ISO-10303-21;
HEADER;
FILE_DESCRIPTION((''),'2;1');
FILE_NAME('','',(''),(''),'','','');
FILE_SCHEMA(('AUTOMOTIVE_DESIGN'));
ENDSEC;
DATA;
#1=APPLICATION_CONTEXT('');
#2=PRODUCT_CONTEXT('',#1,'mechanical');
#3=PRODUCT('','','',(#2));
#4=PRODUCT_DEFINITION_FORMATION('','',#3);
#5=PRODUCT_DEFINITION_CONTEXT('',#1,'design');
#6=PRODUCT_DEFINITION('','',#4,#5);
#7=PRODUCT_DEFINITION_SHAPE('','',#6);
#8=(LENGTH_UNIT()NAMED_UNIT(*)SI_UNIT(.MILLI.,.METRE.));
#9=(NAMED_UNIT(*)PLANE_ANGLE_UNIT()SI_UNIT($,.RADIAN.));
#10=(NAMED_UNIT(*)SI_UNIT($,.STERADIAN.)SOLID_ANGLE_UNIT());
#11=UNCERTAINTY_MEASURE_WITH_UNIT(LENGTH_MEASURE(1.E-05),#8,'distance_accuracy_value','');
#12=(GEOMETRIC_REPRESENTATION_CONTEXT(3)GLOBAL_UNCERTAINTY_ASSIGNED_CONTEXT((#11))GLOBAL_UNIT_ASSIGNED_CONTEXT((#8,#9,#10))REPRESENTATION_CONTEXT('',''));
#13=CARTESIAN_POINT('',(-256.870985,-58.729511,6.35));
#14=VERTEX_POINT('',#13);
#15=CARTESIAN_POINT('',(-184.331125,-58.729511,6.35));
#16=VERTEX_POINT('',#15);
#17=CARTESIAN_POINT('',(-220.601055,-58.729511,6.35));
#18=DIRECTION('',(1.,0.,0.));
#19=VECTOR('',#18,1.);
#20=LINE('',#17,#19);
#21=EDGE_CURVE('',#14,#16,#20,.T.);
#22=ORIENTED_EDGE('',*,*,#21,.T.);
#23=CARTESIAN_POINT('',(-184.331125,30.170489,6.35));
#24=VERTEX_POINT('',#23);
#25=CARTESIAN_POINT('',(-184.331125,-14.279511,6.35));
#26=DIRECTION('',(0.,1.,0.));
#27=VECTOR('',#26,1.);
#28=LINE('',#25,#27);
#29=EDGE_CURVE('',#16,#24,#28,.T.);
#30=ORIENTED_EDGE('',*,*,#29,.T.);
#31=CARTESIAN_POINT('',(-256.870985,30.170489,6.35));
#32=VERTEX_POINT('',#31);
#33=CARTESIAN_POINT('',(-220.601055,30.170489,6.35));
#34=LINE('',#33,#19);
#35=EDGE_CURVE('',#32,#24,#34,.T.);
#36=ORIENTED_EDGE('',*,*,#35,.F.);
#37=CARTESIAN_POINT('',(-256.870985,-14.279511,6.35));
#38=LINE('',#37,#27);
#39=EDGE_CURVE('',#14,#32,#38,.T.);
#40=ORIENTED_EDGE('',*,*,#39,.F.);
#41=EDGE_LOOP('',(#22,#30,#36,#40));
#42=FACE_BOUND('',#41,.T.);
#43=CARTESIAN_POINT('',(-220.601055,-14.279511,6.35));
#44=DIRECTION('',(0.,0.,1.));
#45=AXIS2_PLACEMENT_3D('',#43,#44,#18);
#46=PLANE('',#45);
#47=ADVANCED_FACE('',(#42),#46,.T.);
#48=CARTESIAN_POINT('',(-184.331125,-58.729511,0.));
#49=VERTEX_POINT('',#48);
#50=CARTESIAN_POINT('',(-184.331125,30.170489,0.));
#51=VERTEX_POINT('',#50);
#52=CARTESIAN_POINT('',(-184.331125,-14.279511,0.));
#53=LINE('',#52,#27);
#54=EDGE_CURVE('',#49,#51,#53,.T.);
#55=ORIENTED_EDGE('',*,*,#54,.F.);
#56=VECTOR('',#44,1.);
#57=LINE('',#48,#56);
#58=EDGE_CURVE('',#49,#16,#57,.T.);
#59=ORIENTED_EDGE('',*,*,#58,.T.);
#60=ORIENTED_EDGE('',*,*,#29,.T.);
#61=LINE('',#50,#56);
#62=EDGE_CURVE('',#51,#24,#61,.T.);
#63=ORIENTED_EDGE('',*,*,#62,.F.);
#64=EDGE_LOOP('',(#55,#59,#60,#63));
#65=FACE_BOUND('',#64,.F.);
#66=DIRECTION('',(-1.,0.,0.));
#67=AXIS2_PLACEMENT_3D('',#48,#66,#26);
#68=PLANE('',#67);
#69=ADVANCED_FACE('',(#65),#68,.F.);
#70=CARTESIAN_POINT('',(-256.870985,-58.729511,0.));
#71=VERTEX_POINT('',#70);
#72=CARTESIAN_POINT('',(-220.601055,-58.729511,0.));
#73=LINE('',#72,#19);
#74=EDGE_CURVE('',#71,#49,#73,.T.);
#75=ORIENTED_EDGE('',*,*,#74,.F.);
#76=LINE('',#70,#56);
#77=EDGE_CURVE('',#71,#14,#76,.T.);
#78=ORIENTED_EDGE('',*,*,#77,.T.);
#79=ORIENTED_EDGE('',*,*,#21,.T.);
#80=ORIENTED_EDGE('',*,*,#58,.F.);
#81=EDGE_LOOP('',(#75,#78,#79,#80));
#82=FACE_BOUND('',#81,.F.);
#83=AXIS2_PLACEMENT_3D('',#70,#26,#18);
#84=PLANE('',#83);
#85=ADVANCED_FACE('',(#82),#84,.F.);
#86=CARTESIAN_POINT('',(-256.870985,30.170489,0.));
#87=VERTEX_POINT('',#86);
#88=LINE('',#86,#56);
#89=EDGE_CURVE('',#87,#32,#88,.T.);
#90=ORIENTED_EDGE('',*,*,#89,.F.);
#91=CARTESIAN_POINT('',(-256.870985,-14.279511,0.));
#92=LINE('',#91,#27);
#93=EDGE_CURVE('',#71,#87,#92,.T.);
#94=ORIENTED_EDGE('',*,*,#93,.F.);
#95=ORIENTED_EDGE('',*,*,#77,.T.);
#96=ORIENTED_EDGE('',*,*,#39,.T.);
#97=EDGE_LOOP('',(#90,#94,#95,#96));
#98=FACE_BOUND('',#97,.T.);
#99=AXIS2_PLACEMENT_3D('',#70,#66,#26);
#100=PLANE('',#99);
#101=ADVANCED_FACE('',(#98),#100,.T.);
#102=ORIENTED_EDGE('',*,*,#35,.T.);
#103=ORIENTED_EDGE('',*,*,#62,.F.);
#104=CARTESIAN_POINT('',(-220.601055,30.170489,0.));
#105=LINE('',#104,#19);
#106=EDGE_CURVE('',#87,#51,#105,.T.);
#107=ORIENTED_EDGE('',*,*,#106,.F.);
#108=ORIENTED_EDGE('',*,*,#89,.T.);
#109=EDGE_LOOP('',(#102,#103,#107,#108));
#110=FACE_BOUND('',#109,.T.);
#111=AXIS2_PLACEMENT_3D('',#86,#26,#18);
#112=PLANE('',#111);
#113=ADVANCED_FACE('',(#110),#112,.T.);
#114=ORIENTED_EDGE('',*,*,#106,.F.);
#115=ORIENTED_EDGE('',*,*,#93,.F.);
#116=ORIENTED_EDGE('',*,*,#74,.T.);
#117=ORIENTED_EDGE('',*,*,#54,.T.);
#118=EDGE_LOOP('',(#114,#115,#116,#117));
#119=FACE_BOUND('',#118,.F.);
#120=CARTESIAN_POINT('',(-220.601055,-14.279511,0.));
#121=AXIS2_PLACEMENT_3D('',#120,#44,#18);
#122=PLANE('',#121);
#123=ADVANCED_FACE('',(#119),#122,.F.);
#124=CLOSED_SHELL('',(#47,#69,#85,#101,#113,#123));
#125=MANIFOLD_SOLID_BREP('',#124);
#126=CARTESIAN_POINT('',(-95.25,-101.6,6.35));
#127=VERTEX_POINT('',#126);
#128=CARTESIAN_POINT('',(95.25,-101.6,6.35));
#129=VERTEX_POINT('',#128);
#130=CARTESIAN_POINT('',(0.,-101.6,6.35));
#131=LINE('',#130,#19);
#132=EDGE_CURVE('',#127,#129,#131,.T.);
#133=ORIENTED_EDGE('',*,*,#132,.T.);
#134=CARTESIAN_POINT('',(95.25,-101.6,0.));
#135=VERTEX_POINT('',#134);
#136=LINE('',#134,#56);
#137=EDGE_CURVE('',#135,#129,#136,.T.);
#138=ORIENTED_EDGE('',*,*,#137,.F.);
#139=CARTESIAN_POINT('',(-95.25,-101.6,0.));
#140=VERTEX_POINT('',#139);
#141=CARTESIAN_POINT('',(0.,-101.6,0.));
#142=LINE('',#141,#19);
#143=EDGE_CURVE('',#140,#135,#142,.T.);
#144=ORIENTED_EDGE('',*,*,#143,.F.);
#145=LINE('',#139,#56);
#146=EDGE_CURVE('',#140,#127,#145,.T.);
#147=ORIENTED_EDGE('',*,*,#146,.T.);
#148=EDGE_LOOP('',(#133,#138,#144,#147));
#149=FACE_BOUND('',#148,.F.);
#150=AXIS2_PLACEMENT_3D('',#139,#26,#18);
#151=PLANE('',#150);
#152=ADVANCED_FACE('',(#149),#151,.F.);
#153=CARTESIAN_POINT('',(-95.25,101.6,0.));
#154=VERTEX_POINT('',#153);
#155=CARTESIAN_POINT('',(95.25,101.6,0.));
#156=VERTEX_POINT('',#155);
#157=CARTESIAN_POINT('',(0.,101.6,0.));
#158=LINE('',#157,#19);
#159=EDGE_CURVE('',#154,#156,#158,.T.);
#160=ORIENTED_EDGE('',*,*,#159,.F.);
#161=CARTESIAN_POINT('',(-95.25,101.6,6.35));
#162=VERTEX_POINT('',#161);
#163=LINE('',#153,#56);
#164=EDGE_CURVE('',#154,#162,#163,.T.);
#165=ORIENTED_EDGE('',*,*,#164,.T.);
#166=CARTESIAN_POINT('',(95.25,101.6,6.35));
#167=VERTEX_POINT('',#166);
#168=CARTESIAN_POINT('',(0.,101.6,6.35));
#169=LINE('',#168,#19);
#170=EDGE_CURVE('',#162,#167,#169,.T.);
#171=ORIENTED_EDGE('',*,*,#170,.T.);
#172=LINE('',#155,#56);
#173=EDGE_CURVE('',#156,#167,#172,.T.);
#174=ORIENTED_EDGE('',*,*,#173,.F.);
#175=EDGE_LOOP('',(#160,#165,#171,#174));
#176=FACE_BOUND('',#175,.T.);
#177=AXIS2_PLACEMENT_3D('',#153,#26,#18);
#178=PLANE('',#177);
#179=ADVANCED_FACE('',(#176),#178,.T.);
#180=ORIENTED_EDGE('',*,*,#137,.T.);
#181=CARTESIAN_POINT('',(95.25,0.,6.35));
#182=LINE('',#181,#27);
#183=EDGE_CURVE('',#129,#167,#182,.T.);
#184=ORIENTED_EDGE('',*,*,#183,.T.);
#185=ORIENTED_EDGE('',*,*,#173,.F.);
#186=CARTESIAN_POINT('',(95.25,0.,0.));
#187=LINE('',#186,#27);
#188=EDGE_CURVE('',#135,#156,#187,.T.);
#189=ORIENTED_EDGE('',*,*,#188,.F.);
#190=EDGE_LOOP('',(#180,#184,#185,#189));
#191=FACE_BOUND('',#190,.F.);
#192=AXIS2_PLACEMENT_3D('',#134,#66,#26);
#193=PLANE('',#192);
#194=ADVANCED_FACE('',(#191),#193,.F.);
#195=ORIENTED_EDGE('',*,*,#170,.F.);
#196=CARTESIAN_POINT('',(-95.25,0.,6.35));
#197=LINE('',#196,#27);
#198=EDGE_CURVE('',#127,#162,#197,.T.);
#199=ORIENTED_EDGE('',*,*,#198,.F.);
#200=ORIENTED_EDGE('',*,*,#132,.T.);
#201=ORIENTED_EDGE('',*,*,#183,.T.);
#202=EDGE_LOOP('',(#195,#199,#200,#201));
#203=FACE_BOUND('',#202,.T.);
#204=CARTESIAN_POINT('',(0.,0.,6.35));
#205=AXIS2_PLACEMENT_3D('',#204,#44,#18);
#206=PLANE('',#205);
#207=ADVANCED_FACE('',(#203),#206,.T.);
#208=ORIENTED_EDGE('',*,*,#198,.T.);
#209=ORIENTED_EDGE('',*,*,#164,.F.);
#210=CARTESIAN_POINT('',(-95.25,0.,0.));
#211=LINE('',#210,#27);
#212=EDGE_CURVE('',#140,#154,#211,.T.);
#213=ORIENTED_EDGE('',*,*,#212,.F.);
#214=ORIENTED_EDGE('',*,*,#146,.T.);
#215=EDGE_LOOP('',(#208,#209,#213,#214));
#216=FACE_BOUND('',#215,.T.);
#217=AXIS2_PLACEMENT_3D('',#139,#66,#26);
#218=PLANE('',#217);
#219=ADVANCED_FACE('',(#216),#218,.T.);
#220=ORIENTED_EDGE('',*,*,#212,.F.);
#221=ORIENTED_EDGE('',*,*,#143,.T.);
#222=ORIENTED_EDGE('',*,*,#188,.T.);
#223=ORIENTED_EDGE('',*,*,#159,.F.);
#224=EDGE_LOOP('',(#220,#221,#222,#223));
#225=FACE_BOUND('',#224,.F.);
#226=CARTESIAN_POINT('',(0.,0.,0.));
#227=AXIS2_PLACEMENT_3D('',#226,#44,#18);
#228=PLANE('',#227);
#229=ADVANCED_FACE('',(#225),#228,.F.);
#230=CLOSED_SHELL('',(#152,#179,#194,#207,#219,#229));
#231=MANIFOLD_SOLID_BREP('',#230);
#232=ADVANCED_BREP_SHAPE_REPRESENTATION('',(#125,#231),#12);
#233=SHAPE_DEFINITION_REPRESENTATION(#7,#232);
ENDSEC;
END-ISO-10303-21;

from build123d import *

# Parameters (mm, degrees)
F0_W     = 190.5
F0_H     = 203.2
F0_W_2   = 72.53986
F0_H_2   = 88.9
F1_DEPTH = 6.35


with BuildPart() as f1:
    # F0 (on Top) → F1 (new body)
    with BuildSketch(Plane.XY):
        Rectangle(F0_W, F0_H)
        with Locations((-220.601055, -14.279511)):
            Rectangle(F0_W_2, F0_H_2)
    extrude(amount=F1_DEPTH)


solid = f1.part
